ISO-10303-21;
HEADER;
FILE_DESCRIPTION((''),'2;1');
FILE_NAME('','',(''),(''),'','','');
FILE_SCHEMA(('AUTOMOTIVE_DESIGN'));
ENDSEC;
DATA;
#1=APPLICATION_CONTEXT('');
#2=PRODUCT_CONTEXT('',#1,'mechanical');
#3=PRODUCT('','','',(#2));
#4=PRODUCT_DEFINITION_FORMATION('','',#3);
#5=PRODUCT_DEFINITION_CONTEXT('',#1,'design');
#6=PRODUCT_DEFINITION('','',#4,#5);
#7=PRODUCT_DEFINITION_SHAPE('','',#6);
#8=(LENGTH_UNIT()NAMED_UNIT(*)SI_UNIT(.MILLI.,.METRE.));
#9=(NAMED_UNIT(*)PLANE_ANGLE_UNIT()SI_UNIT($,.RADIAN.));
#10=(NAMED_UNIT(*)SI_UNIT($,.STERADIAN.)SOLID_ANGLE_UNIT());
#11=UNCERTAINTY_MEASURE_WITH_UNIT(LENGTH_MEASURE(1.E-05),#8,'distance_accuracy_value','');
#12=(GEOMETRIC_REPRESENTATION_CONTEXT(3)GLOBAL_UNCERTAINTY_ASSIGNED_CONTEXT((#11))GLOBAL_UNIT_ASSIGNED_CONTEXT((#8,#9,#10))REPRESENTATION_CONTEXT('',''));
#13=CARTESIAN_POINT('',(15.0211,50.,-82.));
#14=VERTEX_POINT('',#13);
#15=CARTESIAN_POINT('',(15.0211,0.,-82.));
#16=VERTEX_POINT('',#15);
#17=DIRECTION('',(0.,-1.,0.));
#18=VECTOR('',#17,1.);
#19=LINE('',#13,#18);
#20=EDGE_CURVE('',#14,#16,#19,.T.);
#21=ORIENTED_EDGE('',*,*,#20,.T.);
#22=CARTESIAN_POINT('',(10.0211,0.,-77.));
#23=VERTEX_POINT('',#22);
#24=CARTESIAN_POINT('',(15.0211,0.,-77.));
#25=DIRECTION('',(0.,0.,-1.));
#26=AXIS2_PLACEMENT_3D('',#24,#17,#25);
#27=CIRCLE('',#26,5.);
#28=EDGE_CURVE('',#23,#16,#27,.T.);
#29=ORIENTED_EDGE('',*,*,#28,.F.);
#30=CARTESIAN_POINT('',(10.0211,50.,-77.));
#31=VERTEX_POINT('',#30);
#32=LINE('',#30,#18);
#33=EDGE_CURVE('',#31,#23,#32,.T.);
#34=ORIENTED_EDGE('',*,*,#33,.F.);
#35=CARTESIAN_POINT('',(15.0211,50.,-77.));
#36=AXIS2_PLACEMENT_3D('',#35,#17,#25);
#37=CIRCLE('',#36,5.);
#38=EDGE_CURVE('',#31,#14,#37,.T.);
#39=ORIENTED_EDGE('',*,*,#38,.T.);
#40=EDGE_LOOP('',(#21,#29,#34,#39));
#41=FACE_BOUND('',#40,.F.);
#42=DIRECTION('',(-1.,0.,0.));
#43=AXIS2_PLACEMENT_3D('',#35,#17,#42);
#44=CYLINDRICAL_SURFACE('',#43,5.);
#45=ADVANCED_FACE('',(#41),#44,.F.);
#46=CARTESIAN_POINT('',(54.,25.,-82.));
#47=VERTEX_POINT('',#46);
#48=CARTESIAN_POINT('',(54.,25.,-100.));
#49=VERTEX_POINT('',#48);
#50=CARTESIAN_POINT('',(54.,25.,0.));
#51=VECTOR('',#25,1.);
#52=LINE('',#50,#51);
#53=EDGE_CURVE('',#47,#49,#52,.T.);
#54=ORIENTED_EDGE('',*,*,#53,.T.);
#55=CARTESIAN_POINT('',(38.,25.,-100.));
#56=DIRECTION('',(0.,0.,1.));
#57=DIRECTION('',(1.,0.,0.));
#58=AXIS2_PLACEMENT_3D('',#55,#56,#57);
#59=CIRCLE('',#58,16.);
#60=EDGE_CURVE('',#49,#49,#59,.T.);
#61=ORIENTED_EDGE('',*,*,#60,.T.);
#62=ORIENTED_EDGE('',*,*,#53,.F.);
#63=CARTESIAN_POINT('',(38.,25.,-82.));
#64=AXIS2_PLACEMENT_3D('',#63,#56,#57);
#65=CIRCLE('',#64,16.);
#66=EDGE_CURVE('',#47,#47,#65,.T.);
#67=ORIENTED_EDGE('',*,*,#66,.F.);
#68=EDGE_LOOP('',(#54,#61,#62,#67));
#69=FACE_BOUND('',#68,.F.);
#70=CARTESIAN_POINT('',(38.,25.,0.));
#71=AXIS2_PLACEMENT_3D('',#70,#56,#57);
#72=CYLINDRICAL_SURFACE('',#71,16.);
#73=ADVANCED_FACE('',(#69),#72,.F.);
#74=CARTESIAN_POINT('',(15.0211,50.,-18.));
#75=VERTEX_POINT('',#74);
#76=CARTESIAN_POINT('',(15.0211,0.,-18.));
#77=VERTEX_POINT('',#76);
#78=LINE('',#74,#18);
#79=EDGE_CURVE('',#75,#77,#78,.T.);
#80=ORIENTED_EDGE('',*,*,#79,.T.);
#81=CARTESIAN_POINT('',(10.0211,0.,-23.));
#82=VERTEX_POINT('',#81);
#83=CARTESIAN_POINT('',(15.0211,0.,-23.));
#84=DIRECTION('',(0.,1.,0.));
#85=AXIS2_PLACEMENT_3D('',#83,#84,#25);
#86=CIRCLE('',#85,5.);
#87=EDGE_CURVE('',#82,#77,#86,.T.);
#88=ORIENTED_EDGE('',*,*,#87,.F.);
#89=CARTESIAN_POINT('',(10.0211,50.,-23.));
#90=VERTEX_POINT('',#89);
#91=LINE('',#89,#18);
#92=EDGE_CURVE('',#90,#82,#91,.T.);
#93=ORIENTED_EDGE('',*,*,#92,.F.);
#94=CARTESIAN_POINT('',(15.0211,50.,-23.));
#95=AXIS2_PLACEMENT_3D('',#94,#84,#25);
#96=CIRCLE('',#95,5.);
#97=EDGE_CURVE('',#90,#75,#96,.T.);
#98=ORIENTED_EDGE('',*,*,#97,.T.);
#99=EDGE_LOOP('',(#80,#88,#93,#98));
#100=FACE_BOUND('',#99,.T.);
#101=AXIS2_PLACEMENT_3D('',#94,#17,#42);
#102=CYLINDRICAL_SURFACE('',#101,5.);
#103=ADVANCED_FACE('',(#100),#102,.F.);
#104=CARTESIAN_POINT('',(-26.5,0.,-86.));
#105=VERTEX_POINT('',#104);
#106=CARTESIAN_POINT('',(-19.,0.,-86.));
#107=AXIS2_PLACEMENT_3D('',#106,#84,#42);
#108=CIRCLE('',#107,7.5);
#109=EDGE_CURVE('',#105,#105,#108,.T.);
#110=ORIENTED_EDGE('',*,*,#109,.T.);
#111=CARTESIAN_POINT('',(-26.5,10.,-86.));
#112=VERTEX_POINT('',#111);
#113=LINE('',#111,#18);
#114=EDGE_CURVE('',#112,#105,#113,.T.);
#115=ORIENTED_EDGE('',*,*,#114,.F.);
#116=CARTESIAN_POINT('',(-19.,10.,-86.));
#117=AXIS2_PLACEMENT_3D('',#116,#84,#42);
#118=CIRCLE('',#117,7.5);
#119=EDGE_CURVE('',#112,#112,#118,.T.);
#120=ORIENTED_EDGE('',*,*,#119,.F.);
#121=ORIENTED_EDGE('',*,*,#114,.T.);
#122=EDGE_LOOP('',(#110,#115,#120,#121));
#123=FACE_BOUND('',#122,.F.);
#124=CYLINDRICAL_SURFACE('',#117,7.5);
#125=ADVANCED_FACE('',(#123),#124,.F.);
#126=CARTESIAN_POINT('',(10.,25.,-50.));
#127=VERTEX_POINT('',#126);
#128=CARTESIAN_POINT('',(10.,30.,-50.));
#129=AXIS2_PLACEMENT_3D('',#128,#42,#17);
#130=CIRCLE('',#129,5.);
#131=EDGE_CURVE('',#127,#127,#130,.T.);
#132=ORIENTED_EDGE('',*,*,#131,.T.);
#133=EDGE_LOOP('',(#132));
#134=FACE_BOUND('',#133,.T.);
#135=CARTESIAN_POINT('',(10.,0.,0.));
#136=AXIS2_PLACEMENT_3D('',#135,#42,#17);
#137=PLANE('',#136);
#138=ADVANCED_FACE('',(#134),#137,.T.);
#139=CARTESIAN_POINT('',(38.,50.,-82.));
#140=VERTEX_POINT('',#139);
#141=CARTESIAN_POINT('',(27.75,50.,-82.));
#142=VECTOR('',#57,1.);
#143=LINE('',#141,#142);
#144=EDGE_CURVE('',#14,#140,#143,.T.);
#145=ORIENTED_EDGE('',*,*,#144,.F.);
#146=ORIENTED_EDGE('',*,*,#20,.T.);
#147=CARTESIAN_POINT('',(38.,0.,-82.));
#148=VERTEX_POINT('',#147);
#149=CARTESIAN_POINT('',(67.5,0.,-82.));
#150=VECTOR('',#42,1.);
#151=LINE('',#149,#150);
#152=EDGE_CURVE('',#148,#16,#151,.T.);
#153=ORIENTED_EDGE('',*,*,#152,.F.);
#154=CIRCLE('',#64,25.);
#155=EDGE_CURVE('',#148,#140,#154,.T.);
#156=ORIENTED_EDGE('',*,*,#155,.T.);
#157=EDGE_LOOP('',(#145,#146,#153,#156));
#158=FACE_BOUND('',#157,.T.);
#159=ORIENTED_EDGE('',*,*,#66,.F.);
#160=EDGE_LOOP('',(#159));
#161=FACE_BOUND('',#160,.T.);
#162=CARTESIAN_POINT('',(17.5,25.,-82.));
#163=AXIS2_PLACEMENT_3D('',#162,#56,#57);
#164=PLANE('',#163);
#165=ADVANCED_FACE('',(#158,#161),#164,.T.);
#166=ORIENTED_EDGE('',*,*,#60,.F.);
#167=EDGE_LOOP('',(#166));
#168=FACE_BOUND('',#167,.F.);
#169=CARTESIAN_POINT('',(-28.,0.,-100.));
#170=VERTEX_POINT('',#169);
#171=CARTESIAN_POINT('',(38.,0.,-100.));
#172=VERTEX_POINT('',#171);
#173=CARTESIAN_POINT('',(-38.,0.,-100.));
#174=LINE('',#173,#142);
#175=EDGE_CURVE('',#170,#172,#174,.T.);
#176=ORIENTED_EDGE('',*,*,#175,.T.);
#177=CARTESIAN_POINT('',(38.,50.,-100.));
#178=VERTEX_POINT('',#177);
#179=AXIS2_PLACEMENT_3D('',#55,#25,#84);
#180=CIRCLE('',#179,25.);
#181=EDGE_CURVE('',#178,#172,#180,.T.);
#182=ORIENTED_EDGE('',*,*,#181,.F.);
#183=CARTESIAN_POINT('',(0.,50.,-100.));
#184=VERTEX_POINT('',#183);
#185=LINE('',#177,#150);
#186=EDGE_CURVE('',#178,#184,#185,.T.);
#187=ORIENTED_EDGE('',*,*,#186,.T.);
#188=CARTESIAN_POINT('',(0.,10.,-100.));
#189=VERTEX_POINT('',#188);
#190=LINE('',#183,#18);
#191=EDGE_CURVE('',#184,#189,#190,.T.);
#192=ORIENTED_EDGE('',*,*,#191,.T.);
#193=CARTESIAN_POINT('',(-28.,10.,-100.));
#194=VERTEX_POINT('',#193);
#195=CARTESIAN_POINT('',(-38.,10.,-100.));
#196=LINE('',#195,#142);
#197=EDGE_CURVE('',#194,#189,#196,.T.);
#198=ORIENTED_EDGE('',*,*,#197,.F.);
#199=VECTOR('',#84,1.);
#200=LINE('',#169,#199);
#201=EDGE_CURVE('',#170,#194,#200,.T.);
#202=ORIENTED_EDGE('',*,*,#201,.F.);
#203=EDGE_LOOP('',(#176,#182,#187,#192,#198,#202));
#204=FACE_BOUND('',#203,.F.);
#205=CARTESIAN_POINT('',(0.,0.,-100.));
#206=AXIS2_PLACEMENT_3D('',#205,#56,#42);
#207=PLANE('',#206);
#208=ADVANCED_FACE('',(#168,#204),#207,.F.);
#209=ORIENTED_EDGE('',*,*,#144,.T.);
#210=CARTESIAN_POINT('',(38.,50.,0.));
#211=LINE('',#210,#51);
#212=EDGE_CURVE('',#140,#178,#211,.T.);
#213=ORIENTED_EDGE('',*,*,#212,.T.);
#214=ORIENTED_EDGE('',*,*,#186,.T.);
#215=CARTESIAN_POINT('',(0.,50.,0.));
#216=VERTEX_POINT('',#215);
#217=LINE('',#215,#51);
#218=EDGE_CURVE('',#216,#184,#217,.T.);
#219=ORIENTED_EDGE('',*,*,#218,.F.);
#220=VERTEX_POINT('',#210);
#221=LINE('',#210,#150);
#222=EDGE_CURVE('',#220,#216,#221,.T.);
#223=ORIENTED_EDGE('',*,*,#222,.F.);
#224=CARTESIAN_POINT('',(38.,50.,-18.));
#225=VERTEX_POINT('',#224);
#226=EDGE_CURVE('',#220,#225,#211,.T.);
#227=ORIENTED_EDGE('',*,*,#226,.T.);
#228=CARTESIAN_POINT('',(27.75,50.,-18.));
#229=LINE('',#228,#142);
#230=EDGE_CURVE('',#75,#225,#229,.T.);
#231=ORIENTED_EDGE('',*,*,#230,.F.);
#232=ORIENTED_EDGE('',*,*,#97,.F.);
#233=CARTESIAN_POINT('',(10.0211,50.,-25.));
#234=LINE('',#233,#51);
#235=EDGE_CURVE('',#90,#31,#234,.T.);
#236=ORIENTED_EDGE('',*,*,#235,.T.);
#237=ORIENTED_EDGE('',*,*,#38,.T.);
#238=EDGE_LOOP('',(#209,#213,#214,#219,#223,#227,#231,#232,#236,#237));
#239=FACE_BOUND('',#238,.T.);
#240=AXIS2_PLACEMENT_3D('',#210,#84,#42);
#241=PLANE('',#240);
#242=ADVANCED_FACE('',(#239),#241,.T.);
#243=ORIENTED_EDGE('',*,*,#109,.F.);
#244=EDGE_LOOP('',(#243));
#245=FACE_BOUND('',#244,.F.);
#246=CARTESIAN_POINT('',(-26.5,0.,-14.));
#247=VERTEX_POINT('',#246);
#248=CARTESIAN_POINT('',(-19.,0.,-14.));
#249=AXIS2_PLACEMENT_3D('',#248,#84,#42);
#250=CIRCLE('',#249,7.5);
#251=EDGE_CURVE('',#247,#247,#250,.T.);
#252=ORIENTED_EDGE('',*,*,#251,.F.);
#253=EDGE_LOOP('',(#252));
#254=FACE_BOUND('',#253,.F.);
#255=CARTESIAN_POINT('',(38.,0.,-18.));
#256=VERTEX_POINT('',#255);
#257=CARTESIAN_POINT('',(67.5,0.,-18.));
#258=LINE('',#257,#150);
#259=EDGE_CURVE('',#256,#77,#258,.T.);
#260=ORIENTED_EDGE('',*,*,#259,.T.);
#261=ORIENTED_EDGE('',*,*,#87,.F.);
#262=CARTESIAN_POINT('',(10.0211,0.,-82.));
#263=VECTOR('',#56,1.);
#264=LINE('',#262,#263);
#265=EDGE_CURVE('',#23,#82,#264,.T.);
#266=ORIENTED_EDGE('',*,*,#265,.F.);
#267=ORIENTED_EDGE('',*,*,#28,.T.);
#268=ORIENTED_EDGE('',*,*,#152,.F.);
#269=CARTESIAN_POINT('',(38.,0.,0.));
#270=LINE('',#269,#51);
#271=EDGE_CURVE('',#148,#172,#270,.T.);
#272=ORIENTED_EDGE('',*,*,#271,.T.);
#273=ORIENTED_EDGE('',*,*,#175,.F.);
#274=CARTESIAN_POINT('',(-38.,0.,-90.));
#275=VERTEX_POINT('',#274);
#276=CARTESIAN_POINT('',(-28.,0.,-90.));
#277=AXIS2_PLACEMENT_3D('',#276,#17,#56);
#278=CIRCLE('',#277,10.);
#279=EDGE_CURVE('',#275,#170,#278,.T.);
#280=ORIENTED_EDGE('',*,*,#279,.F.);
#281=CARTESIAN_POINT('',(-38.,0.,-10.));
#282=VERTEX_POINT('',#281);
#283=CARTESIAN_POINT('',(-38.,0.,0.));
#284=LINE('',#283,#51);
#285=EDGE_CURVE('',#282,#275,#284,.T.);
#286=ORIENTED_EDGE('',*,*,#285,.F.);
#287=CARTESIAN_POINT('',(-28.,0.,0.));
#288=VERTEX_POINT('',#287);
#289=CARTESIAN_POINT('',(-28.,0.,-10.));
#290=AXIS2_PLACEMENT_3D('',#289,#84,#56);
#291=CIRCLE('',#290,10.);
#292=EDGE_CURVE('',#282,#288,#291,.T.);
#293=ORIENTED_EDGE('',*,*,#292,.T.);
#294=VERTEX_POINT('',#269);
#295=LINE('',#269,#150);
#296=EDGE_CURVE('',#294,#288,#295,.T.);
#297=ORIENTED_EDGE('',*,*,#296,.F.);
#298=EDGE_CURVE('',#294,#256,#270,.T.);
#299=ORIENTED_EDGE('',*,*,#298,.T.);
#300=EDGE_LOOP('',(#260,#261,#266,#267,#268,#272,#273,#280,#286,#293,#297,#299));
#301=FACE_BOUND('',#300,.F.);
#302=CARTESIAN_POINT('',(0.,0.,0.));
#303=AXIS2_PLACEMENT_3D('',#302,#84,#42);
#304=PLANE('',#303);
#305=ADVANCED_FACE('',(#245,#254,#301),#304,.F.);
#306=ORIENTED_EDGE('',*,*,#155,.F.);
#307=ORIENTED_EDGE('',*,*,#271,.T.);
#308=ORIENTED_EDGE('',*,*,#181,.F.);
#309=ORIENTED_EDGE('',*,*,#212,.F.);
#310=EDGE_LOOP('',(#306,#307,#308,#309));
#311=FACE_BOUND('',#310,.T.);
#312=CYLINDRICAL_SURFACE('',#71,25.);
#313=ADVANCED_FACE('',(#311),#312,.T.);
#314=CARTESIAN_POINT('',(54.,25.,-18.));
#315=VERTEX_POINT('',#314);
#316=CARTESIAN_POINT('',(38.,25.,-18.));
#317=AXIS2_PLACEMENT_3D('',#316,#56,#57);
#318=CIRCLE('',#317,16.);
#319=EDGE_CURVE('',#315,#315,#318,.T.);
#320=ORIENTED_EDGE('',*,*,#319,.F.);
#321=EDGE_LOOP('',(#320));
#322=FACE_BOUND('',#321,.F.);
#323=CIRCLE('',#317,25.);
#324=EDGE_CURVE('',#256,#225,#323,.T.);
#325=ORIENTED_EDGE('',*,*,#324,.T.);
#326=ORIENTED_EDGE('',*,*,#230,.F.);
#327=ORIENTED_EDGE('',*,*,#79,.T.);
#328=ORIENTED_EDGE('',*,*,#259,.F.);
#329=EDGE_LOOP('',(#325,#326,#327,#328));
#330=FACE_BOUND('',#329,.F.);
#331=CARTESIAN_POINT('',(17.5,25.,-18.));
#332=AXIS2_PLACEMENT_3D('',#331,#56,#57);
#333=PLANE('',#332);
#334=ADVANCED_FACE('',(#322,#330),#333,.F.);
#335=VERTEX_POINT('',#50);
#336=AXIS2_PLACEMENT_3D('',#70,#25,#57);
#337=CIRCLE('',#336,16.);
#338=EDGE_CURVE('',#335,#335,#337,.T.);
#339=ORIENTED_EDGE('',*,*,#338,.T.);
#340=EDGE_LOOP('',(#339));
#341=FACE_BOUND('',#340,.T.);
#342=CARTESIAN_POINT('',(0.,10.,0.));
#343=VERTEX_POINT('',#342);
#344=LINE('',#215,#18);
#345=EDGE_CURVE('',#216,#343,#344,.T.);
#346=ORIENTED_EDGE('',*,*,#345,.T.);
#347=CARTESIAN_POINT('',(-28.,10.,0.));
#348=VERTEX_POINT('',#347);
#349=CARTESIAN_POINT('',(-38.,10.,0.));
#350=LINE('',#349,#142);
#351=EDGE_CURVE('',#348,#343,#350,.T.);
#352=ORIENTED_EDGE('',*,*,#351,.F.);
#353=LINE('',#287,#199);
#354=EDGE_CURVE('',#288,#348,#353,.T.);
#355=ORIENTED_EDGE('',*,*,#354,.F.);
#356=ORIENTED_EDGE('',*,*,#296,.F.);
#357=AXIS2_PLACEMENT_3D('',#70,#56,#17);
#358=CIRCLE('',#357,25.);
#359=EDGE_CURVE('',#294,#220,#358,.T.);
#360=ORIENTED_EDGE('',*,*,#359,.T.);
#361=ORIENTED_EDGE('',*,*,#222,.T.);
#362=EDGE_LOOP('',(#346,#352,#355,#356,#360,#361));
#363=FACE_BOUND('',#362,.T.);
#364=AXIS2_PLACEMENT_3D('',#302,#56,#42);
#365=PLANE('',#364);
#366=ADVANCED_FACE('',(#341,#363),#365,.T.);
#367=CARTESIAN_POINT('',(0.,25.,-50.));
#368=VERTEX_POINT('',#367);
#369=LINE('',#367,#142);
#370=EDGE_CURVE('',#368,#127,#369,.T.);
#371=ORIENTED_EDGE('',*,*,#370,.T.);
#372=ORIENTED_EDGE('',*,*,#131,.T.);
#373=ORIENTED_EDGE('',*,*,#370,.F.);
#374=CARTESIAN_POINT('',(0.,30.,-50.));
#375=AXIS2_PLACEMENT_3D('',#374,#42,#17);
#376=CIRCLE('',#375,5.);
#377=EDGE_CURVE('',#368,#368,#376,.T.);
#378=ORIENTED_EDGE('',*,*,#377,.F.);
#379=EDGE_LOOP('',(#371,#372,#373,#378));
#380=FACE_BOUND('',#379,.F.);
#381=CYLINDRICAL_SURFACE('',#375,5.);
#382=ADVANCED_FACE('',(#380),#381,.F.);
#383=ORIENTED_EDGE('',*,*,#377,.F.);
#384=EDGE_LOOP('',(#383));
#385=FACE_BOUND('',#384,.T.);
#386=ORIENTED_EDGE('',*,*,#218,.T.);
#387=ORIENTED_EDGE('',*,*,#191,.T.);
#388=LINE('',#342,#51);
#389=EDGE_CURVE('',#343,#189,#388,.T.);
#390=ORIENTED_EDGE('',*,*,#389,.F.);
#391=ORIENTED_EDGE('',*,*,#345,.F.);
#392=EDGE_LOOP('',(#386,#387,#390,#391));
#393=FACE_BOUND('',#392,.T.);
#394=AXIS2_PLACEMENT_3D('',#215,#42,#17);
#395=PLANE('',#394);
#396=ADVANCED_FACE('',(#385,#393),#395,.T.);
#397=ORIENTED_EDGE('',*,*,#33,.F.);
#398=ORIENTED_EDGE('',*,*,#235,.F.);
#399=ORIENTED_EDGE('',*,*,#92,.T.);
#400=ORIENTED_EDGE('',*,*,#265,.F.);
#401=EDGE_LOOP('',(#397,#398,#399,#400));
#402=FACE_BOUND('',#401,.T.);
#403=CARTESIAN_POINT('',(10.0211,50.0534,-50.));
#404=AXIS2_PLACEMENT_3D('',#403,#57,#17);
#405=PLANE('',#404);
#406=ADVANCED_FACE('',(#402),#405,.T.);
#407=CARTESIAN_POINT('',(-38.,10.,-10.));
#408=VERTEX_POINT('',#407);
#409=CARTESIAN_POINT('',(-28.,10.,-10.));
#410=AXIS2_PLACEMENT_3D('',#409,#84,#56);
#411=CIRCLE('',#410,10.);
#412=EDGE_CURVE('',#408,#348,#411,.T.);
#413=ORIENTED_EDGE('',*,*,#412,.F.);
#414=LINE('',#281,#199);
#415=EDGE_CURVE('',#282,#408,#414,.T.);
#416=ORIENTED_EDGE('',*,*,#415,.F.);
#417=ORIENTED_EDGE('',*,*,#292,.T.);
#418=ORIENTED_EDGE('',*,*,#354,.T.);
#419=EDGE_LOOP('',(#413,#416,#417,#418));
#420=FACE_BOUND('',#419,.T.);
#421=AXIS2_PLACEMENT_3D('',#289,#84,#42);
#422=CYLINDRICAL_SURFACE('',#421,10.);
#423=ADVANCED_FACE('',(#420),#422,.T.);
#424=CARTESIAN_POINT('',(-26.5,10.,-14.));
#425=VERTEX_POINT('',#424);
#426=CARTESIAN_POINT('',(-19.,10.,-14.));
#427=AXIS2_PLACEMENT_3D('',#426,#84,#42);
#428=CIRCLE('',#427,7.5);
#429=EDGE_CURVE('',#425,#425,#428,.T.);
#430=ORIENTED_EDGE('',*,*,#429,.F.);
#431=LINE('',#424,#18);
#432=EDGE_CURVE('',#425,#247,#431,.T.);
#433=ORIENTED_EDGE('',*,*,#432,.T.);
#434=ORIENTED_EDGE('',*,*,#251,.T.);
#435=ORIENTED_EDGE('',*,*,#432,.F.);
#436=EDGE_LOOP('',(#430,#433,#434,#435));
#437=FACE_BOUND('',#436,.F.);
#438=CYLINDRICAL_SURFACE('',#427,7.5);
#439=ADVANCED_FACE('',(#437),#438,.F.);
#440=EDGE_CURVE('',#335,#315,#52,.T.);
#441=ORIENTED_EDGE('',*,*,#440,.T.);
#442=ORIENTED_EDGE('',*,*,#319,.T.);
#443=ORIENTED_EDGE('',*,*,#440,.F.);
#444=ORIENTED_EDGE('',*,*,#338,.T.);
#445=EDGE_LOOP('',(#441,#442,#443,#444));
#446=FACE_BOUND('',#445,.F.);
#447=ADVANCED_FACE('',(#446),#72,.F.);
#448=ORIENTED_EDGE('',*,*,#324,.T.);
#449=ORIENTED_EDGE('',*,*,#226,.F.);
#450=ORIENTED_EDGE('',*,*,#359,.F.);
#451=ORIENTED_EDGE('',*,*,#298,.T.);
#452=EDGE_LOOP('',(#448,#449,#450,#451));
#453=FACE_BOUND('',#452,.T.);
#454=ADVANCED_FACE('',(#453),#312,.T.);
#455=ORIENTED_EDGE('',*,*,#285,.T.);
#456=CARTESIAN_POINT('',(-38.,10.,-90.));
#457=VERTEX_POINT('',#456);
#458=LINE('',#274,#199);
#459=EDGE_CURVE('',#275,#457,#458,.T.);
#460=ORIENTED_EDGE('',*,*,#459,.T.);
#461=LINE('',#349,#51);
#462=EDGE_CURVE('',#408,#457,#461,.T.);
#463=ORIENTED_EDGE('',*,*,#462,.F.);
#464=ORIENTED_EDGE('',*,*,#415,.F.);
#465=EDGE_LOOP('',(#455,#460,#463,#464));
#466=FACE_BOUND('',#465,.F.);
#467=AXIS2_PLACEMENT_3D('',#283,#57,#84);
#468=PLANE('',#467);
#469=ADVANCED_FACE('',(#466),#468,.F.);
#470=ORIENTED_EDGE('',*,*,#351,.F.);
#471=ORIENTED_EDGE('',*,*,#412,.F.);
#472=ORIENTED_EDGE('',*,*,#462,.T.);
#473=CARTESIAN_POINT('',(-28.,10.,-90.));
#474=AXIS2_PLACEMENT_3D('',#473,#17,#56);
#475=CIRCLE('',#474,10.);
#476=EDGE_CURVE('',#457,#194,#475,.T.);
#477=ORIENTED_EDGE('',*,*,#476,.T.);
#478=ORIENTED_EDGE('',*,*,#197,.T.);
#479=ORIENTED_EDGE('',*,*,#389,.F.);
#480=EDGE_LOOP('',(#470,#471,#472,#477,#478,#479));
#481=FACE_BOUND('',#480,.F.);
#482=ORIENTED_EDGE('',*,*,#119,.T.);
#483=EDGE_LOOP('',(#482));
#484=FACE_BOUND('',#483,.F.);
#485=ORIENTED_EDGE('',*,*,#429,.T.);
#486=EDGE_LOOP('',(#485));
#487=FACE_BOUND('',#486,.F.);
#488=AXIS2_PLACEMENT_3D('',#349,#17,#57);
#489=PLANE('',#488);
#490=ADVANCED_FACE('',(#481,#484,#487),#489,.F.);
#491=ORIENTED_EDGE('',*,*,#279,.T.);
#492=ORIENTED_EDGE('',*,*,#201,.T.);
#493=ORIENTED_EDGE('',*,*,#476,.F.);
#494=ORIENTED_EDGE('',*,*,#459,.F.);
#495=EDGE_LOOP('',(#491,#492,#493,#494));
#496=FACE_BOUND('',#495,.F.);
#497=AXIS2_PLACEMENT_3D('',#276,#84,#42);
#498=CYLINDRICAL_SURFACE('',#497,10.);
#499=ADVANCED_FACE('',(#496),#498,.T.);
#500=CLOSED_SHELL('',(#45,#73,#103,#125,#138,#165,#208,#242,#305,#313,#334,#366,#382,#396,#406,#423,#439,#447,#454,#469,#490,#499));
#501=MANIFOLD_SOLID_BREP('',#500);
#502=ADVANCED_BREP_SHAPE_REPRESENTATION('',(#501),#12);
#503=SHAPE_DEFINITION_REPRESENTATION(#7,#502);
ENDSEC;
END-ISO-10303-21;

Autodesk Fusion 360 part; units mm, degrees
sketch "Sketch1" plane through (0, 0, 0) normal (0, 0, 1) x (1, 0, 0)
  line L0 (0, 0) -> (38, 0)
  line L1 (38, 0) -> (38, 50)
  line L2 (38, 50) -> (0, 50)
  line L3 (0, 50) -> (0, 0)
  circle A0 centre (38, 25) radius 25
  circle A1 centre (38, 25) radius 16
  dimension "d1" = 38
  dimension "d2" = 50
  dimension "d3" = 50
  dimension "d5" = 32
extrude "Extrude1" add sketch "Sketch1" against normal blind 100 contours L0 L2 L3 A0 | L1 A0 A1 | L1 A0 A1
sketch "Sketch2" plane through (0, 0, 0) normal (0, -1, 0) x (1, 0, 0)
  line L0 (38, 0) -> (0, 0)
  line L1 (0, 0) -> (0, -100) construction
  line L2 (0, -100) -> (38, -100)
  line L3 (38, -100) -> (38, 0)
  line L4 (0, -50) -> (10, -50) construction
  line L5 (10, -50) -> (10, -18)
  line L6 (10, -50) -> (10, -82)
  dimension "d8" = 32
  dimension "d9" = 32
sketch "Sketch3" plane through (0, 0, 0) normal (0, -1, 0) x (1, 0, 0)
  line L0 (38, 0) -> (0, 0)
  line L1 (0, 0) -> (0, -100)
  line L2 (0, -100) -> (38, -100)
  line L3 (38, -100) -> (38, 0)
ref_plane "WorkPlane1" through (31.5, 25, -50) normal (0, 0, -1) x (-1, 0, 0)
sketch "Sketch4" plane through (31.5, 25, -50) normal (0, 0, -1) x (1, 0, 0)
sketch "Sketch5" plane through (0, 0, 0) normal (0, 0, 1) x (-1, 0, 0)
  circle A0 centre (-38, -25) radius 16
  arc A1 (-38, 0) -> (-38, -50) centre (-38, -25) ccw
  line L0 (-38, -50) -> (0, -50)
  line L1 (0, -50) -> (0, 0)
  line L2 (0, 0) -> (-38, 0)
  line L3 (0, 0) -> (38, 0)
  line L4 (38, 0) -> (38, -10)
  line L5 (38, -10) -> (0, -10)
  line L6 (0, -10) -> (0, 0)
  dimension "d10" = 38
  dimension "d11" = 10
extrude "Extrude2" add sketch "Sketch5" against normal blind 100 contours L1 L3 L4 L5 L6
sketch "Sketch6" plane through (0, 10, 0) normal (0, 1, 0) x (-1, 0, 0)
  line L0 (38, 0) -> (0, 0)
  line L1 (0, 0) -> (0, -100)
  line L2 (0, -100) -> (38, -100)
  line L3 (38, -100) -> (38, 0)
  line L4 (19, 0) -> (19, -86) construction
  circle A0 centre (19, -86) radius 7.5
  line L5 (19, 0) -> (33, 0) construction
  line L6 (33, 0) -> (33, -14) construction
  line L7 (33, -14) -> (19, -14) construction
  circle A1 centre (19, -14) radius 7.5
  dimension "d14" = 86
  dimension "d15" = 15
  dimension "d16" = 14
  dimension "d17" = 14
  dimension "d18" = 15
extrude "Extrude3" cut sketch "Sketch6" against normal blind 10 contours A0 | A1
fillet "Fillet1" radius 10 1 edges at (-38, 5, 0)
fillet "Fillet2" radius 10 1 edges at (-38, 5, -100)
ref_plane "WorkPlane2" through (17.5, 25, -50) normal (0, 0, 1) x (1, 0, 0)
sketch "Sketch7" plane through (17.5, 25, -50) normal (0, 0, 1) x (1, 0, 0)
  line L0 (-17.4789, 13.5699) -> (-7.4789, 13.5699) construction
  line L1 (-7.4789, 25.0534) -> (-7.4789, -25)
  line L2 (-7.4789, 25.0534) -> (50, 25.0534)
  line L3 (50, 25.0534) -> (50, -25)
  line L4 (50, -25) -> (-7.4789, -25)
  dimension "d25" = 10
extrude "Extrude4" cut sketch "Sketch7" along normal mid plane 64
sketch "Sketch8" plane through (0, 0, 0) normal (-1, 0, 0) x (0, -1, 0)
  line L0 (-10, -100) -> (-10, 0)
  line L1 (-10, 0) -> (-50, 0)
  line L2 (-50, 0) -> (-50, -100)
  line L3 (-50, -100) -> (-10, -100)
  line L4 (-50, -50) -> (-10, -50) construction
  circle A0 centre (-30, -50) radius 5
  dimension "d28" = 10
fillet "Fillet3" radius 5 1 edges at (10.0211, 25, -18)
fillet "Fillet4" radius 5 1 edges at (10.0211, 25, -82)
extrude "Extrude5" cut sketch "Sketch8" against normal blind 10 contours A0
